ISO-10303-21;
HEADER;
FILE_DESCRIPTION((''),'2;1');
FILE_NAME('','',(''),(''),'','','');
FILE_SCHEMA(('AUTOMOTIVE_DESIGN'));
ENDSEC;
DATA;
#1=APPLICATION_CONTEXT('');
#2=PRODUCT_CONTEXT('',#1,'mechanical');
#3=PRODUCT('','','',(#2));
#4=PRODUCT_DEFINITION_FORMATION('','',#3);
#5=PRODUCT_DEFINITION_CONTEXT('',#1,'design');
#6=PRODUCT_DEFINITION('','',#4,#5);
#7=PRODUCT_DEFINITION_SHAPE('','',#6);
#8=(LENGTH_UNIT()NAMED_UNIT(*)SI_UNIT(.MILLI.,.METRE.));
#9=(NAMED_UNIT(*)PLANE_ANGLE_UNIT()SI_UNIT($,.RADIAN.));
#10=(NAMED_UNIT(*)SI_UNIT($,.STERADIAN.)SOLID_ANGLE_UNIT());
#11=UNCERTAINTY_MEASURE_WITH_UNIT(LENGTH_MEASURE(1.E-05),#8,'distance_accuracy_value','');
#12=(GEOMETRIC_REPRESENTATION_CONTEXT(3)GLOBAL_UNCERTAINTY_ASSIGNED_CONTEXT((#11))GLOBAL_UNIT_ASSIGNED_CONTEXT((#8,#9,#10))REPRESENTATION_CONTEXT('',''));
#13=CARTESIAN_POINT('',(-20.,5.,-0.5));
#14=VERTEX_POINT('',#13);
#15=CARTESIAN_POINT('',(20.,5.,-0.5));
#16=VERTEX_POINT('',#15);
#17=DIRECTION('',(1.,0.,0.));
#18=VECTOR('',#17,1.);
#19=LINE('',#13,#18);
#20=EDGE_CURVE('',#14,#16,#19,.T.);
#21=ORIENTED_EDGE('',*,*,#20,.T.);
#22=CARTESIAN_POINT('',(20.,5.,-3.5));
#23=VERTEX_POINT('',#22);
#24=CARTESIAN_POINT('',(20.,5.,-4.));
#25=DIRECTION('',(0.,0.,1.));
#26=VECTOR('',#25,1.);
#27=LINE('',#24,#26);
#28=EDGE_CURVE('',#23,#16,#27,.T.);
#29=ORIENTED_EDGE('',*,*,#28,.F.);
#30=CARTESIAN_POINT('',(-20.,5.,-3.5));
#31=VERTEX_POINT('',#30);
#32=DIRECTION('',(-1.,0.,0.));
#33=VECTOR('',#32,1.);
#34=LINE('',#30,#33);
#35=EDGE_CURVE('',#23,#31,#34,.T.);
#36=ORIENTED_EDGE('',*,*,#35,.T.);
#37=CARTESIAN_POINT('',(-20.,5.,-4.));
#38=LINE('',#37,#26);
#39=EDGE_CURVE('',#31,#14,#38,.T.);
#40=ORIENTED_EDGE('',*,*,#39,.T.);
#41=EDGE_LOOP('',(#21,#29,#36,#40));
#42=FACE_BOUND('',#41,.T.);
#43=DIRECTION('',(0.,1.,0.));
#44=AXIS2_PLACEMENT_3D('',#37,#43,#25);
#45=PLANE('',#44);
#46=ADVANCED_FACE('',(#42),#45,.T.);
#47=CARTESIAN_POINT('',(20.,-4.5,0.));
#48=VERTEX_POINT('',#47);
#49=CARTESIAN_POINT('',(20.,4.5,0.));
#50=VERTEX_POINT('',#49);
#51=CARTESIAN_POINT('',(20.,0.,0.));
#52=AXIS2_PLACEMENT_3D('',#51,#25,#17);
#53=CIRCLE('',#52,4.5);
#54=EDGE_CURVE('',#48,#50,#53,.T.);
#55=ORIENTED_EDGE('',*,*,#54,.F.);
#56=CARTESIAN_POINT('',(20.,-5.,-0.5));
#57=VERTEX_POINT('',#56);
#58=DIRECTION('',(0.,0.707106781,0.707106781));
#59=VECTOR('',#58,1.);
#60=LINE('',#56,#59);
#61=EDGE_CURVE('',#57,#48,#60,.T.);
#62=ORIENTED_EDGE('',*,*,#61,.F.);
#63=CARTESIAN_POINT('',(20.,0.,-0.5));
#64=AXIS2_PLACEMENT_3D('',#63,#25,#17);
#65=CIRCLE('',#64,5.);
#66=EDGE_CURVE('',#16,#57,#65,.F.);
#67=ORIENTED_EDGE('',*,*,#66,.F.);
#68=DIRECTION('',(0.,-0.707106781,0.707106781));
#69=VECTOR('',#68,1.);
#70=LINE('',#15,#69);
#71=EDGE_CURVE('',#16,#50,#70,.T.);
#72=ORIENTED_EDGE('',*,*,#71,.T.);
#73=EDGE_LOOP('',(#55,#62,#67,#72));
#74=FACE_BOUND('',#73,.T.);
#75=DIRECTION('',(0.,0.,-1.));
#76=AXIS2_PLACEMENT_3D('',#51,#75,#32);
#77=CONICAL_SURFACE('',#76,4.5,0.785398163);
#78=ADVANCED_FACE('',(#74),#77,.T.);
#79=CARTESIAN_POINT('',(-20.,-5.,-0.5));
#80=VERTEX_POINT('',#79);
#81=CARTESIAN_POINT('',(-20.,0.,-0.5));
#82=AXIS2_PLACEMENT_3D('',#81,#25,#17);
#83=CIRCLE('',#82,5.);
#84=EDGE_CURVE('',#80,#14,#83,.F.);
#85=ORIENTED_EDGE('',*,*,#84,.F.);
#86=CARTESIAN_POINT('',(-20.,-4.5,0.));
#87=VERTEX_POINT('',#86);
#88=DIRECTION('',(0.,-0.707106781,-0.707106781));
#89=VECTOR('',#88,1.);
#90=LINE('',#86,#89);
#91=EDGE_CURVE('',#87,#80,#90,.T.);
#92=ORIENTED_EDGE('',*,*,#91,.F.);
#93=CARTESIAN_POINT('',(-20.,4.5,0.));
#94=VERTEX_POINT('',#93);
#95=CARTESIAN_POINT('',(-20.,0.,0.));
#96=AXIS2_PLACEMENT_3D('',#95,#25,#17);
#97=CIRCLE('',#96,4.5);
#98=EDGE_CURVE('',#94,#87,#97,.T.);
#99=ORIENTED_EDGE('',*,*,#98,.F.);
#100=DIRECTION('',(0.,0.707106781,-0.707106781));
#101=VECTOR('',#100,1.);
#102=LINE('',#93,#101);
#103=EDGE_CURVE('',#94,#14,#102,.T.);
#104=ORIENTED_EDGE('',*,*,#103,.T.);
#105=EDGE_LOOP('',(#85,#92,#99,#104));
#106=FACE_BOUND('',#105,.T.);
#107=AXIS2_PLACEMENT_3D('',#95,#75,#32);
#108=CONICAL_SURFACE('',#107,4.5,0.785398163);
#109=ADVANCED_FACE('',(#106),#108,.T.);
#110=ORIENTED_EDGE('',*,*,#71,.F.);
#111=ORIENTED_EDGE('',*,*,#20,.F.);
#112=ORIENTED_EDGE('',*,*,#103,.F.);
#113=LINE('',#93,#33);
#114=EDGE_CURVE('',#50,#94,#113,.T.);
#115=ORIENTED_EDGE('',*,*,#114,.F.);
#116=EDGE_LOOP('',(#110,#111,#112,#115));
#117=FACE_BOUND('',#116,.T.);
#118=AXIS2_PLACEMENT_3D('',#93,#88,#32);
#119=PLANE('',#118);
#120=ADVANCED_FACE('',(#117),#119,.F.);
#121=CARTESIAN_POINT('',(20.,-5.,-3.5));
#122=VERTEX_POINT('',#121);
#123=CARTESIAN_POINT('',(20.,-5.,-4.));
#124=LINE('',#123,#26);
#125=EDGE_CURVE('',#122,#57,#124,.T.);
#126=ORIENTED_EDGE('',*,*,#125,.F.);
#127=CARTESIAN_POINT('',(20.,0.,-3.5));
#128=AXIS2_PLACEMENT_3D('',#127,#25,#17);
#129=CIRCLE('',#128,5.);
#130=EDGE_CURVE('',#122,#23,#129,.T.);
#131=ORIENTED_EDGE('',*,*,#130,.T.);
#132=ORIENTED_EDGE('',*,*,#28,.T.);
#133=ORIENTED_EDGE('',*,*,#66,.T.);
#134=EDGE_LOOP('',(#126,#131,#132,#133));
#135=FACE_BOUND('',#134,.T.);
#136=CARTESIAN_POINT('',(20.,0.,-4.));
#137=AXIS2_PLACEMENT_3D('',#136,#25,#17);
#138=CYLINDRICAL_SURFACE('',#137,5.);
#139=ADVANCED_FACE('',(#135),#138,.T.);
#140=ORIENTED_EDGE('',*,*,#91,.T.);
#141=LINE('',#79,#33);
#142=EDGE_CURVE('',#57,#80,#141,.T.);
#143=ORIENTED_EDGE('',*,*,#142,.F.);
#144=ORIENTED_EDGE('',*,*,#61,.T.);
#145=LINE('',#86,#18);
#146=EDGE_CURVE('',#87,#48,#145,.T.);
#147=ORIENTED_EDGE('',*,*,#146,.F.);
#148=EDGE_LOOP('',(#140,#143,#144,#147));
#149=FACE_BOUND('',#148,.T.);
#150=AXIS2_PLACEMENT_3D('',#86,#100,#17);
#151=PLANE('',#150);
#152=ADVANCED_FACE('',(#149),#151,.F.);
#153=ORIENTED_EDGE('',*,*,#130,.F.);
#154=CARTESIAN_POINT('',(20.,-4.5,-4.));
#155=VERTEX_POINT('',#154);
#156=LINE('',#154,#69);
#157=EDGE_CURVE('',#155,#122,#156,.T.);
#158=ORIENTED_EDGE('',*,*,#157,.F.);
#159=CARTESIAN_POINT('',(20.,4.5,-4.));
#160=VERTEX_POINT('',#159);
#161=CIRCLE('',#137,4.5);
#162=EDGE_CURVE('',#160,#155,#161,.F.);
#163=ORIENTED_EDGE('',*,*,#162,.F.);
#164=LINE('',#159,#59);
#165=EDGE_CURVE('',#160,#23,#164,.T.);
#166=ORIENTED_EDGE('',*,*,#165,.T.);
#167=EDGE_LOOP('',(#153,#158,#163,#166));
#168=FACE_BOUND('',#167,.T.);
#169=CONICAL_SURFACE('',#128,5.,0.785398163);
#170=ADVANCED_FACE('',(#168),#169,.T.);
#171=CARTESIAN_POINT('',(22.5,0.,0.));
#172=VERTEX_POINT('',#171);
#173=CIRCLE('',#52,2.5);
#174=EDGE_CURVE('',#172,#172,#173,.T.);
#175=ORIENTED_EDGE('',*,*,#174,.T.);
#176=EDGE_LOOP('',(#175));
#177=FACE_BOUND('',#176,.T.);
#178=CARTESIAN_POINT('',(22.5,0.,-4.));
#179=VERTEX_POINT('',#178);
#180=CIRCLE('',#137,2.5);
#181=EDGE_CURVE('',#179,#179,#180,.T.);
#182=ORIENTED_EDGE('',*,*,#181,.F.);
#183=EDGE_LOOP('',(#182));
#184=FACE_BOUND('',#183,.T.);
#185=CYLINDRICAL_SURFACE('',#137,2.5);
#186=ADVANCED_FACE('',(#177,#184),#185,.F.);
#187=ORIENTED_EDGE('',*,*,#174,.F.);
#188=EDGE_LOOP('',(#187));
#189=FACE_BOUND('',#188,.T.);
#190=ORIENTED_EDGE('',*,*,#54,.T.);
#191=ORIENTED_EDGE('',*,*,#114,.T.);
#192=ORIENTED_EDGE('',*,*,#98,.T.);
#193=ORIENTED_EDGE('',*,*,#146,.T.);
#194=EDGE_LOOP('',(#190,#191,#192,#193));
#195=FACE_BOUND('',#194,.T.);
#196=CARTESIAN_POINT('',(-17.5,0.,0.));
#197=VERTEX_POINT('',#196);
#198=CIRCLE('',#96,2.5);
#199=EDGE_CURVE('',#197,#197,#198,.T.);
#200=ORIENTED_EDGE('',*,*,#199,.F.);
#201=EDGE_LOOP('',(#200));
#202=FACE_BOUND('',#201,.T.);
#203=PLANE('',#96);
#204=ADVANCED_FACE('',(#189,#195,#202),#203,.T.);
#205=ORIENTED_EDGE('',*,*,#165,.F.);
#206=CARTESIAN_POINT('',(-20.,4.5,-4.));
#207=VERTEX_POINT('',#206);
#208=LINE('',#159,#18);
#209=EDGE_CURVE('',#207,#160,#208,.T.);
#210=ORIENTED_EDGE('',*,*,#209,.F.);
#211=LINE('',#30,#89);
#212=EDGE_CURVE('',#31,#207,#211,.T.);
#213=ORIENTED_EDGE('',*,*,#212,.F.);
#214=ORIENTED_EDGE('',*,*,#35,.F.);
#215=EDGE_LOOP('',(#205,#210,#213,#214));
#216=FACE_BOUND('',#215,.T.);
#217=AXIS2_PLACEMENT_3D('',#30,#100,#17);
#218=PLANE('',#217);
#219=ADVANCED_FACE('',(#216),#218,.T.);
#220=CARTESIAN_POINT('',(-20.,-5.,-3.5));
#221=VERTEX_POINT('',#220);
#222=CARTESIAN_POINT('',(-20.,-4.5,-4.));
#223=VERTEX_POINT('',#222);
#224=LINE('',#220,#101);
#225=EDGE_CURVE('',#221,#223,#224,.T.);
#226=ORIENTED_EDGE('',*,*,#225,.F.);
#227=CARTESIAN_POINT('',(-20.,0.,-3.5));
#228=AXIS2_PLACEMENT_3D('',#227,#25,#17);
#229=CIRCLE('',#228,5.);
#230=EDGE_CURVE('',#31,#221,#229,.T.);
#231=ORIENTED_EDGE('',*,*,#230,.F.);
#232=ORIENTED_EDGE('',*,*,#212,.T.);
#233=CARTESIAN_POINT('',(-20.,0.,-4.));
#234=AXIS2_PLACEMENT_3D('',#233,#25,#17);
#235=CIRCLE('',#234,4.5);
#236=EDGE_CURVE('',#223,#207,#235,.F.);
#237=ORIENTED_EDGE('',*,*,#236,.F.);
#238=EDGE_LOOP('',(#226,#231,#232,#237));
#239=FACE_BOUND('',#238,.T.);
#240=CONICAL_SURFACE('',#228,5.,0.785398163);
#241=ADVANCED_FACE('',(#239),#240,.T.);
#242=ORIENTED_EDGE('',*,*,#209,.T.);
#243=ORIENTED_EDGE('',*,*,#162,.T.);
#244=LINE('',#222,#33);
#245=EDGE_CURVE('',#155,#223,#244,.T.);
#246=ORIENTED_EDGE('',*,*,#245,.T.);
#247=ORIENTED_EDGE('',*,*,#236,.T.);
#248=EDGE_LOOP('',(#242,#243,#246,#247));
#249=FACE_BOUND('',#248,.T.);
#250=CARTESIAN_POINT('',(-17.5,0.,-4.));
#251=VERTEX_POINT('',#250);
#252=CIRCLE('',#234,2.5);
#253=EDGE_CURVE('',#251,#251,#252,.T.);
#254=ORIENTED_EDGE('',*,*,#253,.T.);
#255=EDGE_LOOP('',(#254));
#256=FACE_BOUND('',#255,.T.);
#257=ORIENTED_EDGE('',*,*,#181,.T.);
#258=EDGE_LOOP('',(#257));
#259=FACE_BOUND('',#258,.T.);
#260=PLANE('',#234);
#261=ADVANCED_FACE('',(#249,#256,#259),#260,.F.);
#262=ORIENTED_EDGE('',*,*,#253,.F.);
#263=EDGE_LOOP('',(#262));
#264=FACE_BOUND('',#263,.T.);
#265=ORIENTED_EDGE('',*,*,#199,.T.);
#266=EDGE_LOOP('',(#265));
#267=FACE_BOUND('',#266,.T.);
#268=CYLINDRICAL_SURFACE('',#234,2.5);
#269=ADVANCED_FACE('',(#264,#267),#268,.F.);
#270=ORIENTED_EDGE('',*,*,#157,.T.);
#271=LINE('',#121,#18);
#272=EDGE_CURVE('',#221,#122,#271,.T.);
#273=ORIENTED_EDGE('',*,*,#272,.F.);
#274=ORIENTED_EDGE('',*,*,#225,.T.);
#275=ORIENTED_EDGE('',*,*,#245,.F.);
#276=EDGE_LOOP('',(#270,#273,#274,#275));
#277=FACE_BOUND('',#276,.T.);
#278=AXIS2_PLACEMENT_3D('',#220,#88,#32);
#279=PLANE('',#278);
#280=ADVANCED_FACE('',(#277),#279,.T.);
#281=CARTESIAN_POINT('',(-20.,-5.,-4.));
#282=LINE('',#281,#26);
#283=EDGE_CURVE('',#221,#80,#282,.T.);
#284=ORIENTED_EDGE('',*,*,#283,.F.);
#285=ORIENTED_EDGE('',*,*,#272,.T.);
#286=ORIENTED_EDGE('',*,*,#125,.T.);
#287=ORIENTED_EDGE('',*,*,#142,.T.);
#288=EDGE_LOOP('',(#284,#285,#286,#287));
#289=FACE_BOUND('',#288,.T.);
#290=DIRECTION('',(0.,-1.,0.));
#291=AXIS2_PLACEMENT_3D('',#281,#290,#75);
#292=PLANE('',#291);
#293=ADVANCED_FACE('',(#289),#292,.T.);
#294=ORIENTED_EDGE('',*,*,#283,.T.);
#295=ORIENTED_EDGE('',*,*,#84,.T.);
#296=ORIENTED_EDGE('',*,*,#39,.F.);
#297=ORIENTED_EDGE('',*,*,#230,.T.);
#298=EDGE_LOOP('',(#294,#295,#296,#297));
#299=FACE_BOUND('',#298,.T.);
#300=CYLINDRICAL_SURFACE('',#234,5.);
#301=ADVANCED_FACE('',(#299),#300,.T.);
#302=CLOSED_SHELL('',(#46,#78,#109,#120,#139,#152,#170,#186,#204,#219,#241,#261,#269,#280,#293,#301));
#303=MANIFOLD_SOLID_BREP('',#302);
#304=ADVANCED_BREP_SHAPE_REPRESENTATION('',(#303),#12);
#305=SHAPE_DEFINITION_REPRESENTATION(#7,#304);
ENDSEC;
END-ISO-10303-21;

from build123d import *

# Parameters (mm, degrees)
SKETCH1_R           = 2.5
BOSS_EXTRUDE1_DEPTH = 4
CHAMFER1_SIZE       = 0.5


with BuildPart() as part:
    # Sketch1 → Boss-Extrude1 (new body)
    with BuildSketch(Plane.XY):
        with BuildLine():
            Line((-20, 5), (20, 5))
            ThreePointArc((20, 5), (25, 0), (20, -5))
            Line((20, -5), (-20, -5))
            ThreePointArc((-20, -5), (-25, 0), (-20, 5))
        make_face()
        with Locations((-20, 0)):
            Circle(SKETCH1_R, mode=Mode.SUBTRACT)
        with Locations((20, 0)):
            Circle(SKETCH1_R, mode=Mode.SUBTRACT)
    extrude(amount=-BOSS_EXTRUDE1_DEPTH)

    # Chamfer1
    chamfer1_edges = [part.edges().sort_by_distance(p)[0] for p in [
        (25, 0, -4),
        (0, 5, -4),
        (-25, 0, -4),
        (0, 5, 0),
        (25, 0, 0),
        (0, -5, 0),
        (-25, 0, 0),
        (0, -5, -4),
    ]]
    chamfer(chamfer1_edges, length=CHAMFER1_SIZE)


solid = part.part
